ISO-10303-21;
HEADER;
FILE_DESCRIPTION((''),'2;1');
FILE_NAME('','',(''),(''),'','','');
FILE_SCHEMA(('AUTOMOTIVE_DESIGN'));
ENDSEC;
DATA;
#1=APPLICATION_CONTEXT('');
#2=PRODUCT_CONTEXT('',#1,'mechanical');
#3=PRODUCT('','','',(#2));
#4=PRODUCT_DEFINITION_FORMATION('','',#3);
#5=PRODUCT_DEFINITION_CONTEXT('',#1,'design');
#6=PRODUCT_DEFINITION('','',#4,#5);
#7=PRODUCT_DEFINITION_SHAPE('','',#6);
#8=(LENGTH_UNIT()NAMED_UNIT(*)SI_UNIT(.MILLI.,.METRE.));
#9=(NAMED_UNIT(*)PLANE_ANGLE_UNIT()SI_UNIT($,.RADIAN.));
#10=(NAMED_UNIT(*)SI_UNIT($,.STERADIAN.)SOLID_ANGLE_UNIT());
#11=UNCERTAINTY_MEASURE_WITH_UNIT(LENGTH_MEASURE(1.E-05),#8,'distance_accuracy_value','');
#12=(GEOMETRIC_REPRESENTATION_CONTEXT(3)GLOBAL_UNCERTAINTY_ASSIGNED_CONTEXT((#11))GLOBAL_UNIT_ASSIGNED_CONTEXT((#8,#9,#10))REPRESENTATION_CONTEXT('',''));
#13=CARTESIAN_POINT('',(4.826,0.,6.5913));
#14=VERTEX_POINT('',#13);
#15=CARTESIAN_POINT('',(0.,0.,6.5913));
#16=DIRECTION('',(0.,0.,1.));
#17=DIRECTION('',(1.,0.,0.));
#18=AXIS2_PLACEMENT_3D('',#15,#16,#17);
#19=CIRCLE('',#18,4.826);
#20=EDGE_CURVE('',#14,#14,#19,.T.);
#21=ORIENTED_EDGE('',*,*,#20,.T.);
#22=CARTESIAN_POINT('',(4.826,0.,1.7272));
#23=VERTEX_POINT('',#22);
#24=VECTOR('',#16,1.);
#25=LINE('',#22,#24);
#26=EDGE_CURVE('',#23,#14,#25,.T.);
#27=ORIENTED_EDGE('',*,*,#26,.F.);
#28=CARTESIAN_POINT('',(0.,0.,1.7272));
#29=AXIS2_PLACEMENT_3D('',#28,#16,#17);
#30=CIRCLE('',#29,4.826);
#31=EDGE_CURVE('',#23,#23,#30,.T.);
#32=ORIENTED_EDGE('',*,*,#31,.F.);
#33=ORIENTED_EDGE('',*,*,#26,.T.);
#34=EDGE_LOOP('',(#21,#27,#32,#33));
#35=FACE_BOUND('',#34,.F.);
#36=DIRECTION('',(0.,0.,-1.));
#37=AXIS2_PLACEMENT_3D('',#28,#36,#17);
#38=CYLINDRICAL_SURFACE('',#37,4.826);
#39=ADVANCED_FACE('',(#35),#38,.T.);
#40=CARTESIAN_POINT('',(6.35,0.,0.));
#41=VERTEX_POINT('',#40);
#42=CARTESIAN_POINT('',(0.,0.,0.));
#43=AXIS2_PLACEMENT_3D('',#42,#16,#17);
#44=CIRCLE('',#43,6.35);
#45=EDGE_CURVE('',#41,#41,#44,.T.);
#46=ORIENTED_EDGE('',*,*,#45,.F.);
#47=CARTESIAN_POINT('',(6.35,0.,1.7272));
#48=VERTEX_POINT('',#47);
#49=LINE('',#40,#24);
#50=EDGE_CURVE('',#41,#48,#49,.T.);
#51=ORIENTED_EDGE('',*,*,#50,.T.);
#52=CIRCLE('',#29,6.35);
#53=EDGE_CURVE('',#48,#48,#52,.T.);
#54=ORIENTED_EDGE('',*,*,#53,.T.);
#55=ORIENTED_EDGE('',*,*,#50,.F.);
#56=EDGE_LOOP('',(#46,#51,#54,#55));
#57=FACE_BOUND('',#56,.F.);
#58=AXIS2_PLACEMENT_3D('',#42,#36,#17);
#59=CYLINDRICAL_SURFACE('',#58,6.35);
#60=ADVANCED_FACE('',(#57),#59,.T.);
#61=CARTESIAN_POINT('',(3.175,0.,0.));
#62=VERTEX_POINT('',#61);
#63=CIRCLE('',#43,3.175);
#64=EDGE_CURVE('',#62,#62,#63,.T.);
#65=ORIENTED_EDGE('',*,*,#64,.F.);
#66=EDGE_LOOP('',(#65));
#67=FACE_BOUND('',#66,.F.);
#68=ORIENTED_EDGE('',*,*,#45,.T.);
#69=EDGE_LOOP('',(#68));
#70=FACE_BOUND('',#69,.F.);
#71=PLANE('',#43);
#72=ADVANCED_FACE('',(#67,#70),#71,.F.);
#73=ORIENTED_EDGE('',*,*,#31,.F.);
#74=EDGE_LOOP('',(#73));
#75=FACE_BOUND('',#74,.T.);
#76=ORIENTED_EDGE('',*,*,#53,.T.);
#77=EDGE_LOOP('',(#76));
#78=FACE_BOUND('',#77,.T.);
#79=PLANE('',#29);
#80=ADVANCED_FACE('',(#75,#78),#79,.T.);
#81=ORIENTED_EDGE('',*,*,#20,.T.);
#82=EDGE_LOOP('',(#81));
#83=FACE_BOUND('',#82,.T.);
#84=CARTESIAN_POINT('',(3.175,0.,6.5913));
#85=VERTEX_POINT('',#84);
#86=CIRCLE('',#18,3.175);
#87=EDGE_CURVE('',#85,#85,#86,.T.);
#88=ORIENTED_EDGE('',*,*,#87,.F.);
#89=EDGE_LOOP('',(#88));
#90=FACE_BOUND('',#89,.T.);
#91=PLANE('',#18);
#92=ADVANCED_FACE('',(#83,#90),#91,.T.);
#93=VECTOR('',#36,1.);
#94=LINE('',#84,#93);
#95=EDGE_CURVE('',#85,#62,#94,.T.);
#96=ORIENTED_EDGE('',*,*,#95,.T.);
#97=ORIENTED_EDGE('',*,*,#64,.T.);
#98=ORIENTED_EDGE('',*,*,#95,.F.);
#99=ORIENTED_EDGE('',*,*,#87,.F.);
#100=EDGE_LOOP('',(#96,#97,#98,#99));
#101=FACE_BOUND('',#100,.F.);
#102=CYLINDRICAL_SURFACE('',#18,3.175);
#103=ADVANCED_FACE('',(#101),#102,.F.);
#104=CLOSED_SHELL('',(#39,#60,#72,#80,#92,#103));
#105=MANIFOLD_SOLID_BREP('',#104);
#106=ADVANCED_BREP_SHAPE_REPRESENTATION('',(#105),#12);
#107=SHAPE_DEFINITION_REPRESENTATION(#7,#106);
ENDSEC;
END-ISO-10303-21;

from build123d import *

# Parameters (mm, degrees)
SKETCH_R     = 6.35
PAD_DEPTH    = 1.7272
SKETCH001_R  = 4.826
PAD001_DEPTH = 4.8641
SKETCH002_R  = 3.175
POCKET_DEPTH = 6.5923


with BuildPart() as part:
    # Sketch → Pad (new body)
    with BuildSketch(Plane.XY):
        Circle(SKETCH_R)
    extrude(amount=PAD_DEPTH)

    # Sketch001 (on Face3 of Pad) → Pad001 (join)
    with BuildSketch(Plane.XY.offset(1.7272)):
        Circle(SKETCH001_R)
    extrude(amount=PAD001_DEPTH)

    # Sketch002 (on Face5 of Pad001) → Pocket (cut, through all)
    with BuildSketch(Plane.XY.offset(6.5913)):
        Circle(SKETCH002_R)
    extrude(amount=-POCKET_DEPTH, mode=Mode.SUBTRACT)


solid = part.part
